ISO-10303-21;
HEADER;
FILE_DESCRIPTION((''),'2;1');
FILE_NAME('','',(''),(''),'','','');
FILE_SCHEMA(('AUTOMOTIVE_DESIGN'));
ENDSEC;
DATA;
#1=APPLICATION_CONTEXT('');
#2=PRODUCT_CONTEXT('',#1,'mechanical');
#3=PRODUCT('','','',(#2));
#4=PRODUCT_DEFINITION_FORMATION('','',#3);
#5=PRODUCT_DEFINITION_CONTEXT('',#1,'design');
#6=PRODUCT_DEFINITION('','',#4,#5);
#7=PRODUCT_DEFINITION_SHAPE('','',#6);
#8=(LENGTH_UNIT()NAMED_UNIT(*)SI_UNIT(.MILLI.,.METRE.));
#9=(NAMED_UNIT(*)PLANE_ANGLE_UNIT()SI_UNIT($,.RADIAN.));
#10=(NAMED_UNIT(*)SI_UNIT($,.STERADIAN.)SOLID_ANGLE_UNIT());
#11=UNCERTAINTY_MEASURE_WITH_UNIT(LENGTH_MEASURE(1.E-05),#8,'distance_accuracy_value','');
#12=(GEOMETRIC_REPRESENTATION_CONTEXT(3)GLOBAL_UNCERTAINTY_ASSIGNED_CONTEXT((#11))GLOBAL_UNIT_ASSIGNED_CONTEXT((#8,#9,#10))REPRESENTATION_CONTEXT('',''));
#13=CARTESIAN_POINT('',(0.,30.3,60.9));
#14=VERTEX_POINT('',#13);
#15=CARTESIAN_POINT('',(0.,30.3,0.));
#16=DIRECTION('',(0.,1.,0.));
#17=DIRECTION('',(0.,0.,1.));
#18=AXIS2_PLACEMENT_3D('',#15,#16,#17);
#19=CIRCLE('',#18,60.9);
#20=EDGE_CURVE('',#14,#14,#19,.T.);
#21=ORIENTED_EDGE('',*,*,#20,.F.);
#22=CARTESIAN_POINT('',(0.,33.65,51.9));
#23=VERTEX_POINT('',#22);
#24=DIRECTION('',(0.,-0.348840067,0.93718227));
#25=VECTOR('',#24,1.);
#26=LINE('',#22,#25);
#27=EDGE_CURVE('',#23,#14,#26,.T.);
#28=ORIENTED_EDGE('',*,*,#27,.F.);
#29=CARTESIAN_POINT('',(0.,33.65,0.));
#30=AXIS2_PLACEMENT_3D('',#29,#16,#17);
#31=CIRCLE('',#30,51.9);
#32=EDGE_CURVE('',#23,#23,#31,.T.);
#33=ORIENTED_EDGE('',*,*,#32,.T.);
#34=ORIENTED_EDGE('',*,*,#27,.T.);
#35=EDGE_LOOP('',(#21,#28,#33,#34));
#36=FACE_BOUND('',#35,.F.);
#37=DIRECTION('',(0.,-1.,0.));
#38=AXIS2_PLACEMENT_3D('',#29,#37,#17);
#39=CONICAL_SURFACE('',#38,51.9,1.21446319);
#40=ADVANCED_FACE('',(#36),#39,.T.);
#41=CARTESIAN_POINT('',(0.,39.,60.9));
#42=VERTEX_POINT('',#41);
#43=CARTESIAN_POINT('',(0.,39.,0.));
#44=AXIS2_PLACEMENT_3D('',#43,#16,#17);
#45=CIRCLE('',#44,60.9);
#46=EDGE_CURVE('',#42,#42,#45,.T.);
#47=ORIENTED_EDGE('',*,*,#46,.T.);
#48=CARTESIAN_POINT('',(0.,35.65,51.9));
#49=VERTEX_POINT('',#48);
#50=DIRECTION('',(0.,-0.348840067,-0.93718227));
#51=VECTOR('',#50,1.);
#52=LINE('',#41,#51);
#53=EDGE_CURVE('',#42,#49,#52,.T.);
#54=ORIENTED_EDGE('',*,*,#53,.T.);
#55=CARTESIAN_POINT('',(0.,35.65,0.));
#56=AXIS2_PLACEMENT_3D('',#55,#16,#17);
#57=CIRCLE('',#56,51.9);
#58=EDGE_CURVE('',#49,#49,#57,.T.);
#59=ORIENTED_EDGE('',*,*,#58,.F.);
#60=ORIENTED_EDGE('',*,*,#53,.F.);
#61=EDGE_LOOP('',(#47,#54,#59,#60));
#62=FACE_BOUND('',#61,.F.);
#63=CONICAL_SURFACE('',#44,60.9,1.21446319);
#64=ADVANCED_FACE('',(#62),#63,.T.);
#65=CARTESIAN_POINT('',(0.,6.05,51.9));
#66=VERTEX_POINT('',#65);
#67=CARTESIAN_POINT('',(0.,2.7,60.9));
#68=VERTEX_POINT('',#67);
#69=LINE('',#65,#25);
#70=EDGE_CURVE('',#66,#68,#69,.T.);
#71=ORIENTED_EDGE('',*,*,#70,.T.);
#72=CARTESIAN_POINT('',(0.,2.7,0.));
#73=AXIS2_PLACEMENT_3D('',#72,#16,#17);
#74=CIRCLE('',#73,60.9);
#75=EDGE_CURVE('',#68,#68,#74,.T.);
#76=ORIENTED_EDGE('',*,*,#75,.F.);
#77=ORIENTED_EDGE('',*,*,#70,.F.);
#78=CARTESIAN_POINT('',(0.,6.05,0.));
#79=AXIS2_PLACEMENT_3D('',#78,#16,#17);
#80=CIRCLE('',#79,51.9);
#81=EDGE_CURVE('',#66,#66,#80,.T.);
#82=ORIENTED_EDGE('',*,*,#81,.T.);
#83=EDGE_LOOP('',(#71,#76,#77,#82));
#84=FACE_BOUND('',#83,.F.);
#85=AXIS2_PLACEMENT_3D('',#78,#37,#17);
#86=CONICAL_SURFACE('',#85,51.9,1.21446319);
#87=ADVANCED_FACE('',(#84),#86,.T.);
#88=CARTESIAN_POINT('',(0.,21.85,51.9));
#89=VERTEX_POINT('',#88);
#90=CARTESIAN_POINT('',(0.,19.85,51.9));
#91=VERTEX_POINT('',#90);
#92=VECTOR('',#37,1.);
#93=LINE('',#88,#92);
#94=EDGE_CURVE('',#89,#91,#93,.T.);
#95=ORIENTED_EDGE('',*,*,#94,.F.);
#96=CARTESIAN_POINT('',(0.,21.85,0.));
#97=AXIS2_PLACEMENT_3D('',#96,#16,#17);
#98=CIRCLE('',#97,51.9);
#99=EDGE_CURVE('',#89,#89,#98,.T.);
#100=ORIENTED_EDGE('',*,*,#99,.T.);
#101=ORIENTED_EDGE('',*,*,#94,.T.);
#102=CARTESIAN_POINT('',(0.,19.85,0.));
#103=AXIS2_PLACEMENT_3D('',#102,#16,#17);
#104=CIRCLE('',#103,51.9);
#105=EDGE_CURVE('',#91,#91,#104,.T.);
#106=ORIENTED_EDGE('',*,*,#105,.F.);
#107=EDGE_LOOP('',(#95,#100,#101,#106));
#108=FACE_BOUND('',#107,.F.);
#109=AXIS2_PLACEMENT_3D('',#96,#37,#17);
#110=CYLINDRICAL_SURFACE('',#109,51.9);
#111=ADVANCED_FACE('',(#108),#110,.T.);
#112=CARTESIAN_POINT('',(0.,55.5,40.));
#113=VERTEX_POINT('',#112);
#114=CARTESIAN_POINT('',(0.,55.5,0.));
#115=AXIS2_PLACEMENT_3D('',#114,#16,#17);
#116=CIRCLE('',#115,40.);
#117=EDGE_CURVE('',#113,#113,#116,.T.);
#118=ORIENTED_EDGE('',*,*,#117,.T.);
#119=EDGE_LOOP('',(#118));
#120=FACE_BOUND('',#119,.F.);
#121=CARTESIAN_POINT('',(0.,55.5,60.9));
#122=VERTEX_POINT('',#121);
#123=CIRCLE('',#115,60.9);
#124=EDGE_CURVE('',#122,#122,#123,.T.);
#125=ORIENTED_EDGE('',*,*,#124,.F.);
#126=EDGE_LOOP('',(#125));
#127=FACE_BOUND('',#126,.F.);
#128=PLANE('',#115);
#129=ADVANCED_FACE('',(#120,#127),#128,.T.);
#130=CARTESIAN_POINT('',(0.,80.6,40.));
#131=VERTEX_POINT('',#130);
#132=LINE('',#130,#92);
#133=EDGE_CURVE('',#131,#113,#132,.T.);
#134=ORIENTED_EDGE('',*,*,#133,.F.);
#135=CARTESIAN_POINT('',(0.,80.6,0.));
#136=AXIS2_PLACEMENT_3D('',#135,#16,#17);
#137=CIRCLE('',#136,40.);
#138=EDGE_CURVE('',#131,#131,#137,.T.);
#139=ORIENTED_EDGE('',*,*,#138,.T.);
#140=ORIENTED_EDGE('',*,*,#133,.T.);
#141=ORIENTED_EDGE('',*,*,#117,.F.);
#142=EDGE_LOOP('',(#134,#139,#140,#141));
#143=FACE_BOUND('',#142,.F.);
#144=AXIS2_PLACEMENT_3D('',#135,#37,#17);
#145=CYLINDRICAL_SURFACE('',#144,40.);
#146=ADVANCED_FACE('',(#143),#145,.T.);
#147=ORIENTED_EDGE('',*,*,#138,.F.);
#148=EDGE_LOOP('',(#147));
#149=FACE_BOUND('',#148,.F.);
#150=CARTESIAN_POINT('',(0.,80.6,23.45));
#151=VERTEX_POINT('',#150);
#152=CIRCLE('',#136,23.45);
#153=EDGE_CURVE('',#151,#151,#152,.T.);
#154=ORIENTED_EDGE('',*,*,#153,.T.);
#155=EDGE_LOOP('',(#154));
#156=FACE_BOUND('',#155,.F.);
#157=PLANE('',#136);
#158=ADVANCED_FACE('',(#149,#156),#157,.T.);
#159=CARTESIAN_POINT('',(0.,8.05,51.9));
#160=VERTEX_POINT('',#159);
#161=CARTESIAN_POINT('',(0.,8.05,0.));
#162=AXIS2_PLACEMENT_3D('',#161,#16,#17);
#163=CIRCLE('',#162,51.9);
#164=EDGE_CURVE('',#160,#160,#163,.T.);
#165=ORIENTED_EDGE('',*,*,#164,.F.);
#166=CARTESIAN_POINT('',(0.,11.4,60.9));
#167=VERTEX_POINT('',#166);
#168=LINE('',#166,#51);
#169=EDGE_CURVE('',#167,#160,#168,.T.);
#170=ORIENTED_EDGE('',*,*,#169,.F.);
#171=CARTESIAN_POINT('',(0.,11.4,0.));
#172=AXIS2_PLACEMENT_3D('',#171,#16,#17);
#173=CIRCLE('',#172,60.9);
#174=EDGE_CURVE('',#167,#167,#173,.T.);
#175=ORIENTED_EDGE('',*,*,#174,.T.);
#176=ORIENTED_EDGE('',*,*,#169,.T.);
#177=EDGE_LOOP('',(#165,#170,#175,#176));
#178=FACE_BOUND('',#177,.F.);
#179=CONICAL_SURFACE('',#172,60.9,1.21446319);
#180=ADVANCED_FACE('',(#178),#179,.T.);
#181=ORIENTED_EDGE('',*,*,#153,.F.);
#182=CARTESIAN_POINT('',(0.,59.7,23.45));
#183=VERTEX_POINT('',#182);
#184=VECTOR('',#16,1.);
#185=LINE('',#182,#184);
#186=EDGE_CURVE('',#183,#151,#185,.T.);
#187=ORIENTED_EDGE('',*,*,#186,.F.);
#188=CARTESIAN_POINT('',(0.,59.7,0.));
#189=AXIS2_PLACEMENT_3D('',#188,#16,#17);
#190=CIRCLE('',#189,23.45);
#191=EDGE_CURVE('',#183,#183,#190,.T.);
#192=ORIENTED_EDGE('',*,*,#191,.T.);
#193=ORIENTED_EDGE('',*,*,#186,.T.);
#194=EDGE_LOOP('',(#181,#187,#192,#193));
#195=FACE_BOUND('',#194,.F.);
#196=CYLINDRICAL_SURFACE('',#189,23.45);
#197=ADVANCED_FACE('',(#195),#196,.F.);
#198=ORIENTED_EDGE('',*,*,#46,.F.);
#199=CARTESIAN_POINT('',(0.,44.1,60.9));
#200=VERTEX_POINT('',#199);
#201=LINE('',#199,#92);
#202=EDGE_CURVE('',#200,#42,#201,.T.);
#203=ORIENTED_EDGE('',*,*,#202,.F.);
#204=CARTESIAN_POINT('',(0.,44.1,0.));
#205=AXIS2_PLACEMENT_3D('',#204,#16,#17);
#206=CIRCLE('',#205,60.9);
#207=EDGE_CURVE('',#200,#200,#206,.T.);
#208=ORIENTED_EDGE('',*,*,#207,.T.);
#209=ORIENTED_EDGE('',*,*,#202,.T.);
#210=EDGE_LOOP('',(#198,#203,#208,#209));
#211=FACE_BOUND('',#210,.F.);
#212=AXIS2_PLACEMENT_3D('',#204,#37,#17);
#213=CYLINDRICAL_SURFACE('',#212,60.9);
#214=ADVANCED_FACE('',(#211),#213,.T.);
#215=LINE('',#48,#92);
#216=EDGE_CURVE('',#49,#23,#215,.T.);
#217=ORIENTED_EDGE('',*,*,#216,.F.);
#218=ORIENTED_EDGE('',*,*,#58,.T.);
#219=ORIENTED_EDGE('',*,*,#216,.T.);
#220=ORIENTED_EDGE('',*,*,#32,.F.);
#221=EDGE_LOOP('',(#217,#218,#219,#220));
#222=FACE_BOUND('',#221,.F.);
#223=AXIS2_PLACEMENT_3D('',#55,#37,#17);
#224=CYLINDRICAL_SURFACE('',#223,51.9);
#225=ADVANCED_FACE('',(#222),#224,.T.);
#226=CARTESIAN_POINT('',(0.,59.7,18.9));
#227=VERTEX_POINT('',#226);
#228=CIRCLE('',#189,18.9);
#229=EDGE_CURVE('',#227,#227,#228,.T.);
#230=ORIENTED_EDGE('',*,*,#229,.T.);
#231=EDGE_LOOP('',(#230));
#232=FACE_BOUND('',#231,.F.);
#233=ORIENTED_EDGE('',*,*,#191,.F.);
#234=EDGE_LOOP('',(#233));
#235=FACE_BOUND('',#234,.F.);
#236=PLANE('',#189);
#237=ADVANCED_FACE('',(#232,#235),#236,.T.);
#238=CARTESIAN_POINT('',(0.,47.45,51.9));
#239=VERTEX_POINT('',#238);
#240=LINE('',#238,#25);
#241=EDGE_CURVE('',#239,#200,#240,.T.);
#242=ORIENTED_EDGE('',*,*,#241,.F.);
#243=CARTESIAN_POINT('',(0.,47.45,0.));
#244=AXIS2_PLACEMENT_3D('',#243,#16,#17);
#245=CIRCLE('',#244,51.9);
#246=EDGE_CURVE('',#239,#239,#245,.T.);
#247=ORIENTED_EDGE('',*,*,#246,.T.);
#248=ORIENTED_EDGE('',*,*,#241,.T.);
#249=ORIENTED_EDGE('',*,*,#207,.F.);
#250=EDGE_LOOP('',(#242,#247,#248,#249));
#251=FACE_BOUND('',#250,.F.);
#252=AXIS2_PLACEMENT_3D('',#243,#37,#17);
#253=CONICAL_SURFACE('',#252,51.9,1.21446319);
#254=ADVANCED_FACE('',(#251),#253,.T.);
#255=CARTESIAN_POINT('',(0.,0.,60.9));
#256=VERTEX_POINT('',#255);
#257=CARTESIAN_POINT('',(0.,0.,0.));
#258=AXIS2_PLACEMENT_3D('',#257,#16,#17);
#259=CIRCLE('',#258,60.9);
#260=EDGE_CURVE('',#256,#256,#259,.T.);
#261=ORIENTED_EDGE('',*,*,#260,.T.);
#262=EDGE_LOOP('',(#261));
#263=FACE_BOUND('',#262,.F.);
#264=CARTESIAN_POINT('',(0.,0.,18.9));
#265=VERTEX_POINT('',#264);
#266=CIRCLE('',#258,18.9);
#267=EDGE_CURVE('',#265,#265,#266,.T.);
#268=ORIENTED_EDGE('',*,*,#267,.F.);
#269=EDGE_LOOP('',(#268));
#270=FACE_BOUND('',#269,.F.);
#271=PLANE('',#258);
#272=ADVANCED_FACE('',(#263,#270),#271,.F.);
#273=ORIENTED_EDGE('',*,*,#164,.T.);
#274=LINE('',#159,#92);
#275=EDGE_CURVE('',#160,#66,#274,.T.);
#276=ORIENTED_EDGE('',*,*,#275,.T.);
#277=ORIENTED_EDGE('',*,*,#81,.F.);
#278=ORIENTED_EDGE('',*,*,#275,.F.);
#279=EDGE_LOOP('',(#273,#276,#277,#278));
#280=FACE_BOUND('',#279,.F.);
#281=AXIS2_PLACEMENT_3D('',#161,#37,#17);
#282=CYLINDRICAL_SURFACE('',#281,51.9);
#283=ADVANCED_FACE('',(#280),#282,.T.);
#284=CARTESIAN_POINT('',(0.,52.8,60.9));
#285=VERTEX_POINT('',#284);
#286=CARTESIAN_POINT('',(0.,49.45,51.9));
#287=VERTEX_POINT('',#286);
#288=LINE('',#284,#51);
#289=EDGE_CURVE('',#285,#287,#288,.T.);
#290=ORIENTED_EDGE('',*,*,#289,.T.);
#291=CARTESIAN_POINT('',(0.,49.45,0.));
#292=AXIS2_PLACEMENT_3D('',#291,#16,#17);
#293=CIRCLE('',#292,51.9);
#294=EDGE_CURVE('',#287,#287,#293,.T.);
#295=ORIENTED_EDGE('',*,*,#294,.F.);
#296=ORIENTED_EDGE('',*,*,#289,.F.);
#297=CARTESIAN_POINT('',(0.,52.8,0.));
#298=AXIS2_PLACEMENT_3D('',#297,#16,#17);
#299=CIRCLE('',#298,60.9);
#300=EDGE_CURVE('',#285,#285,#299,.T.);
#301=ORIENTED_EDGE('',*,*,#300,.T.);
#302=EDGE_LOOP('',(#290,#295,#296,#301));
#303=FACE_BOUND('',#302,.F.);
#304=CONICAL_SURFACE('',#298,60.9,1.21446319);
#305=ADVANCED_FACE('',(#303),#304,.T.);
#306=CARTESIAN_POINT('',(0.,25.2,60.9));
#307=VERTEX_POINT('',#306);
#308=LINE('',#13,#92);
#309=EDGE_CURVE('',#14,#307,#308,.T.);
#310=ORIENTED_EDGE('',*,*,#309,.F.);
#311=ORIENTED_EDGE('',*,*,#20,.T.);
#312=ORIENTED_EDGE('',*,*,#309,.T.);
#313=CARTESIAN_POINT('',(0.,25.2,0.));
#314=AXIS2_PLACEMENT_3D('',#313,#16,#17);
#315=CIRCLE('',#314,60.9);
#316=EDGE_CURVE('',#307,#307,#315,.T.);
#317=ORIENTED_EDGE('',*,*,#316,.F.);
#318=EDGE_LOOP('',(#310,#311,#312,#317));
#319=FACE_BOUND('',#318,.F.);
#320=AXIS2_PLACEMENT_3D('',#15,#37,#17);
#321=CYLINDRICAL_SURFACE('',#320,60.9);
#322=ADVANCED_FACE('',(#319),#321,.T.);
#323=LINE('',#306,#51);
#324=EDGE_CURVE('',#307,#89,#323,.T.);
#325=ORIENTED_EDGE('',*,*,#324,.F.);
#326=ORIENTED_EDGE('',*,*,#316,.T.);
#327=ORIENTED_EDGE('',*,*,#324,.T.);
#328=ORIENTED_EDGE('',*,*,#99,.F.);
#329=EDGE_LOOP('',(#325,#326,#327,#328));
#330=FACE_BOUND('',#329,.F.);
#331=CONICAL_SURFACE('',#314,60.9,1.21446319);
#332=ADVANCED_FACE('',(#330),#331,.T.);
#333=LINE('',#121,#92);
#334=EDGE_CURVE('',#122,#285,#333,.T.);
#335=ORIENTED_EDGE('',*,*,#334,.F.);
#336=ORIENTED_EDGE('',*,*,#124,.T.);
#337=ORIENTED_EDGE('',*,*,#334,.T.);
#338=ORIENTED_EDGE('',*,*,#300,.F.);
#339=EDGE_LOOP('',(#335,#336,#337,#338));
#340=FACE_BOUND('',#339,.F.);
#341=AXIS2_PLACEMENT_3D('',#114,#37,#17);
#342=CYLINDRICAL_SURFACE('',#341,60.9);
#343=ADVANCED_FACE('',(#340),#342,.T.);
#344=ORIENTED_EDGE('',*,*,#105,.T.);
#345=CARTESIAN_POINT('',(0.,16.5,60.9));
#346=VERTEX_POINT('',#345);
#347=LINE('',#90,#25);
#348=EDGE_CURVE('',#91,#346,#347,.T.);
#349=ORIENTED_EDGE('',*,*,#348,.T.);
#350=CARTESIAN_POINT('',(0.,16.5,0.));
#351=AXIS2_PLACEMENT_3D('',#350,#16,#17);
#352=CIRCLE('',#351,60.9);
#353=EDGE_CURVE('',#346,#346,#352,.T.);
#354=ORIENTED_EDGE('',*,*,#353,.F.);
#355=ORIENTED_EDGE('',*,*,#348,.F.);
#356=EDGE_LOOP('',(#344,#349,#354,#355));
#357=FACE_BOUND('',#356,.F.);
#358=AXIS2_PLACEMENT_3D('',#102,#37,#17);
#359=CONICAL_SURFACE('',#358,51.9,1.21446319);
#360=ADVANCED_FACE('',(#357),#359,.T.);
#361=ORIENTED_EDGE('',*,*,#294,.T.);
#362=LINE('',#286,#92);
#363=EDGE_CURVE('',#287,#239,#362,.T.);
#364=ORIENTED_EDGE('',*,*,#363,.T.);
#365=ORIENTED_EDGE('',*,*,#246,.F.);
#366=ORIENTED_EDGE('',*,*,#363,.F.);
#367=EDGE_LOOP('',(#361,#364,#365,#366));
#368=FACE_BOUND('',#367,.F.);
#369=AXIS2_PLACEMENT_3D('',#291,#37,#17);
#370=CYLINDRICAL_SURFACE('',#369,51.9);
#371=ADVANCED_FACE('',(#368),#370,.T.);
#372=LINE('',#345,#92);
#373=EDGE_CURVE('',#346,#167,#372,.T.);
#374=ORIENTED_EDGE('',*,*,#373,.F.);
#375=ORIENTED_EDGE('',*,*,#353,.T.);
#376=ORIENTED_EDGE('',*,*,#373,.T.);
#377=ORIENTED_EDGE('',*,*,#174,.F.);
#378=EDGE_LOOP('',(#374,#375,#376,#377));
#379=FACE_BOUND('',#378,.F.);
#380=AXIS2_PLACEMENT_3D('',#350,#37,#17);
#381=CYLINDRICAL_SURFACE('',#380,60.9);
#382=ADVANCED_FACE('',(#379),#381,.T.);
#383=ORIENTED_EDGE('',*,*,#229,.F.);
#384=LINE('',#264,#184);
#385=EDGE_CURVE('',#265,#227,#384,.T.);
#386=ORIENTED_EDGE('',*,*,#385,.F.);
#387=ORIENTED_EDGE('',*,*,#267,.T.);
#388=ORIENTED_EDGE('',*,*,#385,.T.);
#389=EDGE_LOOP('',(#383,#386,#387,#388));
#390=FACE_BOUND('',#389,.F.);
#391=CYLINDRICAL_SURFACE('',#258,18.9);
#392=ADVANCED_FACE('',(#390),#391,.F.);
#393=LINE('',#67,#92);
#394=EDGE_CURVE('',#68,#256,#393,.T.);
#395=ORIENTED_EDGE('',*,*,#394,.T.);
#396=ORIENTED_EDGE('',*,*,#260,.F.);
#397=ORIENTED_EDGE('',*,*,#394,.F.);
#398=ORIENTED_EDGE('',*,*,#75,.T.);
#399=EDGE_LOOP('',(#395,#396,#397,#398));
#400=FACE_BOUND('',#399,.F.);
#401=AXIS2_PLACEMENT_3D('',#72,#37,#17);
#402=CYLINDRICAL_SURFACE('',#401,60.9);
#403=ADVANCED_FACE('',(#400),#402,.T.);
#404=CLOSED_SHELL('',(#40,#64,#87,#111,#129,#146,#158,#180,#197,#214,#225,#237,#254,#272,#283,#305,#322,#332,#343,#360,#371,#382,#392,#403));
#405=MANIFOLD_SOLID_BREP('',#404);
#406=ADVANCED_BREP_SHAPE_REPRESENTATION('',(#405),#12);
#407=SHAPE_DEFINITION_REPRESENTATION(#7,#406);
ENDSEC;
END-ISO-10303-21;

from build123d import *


with BuildPart() as f1:
    # F0 (on Right) → F1 (revolve)
    with BuildSketch(Plane.YZ):
        Polygon((0, 60.9), (0, 18.9), (59.7, 18.9), (59.7, 23.45), (80.6, 23.45), (80.6, 40), (55.5, 40), (55.5, 60.9), (52.8, 60.9), (49.45, 51.9), (47.45, 51.9), (44.1, 60.9), (39, 60.9), (35.65, 51.9), (33.65, 51.9), (30.3, 60.9), (25.2, 60.9), (21.85, 51.9), (19.85, 51.9), (16.5, 60.9), (11.4, 60.9), (8.05, 51.9), (6.05, 51.9), (2.7, 60.9), align=None)
    revolve(axis=Axis((0, 40.3, 0), (0, 1, 0)))


solid = f1.part
